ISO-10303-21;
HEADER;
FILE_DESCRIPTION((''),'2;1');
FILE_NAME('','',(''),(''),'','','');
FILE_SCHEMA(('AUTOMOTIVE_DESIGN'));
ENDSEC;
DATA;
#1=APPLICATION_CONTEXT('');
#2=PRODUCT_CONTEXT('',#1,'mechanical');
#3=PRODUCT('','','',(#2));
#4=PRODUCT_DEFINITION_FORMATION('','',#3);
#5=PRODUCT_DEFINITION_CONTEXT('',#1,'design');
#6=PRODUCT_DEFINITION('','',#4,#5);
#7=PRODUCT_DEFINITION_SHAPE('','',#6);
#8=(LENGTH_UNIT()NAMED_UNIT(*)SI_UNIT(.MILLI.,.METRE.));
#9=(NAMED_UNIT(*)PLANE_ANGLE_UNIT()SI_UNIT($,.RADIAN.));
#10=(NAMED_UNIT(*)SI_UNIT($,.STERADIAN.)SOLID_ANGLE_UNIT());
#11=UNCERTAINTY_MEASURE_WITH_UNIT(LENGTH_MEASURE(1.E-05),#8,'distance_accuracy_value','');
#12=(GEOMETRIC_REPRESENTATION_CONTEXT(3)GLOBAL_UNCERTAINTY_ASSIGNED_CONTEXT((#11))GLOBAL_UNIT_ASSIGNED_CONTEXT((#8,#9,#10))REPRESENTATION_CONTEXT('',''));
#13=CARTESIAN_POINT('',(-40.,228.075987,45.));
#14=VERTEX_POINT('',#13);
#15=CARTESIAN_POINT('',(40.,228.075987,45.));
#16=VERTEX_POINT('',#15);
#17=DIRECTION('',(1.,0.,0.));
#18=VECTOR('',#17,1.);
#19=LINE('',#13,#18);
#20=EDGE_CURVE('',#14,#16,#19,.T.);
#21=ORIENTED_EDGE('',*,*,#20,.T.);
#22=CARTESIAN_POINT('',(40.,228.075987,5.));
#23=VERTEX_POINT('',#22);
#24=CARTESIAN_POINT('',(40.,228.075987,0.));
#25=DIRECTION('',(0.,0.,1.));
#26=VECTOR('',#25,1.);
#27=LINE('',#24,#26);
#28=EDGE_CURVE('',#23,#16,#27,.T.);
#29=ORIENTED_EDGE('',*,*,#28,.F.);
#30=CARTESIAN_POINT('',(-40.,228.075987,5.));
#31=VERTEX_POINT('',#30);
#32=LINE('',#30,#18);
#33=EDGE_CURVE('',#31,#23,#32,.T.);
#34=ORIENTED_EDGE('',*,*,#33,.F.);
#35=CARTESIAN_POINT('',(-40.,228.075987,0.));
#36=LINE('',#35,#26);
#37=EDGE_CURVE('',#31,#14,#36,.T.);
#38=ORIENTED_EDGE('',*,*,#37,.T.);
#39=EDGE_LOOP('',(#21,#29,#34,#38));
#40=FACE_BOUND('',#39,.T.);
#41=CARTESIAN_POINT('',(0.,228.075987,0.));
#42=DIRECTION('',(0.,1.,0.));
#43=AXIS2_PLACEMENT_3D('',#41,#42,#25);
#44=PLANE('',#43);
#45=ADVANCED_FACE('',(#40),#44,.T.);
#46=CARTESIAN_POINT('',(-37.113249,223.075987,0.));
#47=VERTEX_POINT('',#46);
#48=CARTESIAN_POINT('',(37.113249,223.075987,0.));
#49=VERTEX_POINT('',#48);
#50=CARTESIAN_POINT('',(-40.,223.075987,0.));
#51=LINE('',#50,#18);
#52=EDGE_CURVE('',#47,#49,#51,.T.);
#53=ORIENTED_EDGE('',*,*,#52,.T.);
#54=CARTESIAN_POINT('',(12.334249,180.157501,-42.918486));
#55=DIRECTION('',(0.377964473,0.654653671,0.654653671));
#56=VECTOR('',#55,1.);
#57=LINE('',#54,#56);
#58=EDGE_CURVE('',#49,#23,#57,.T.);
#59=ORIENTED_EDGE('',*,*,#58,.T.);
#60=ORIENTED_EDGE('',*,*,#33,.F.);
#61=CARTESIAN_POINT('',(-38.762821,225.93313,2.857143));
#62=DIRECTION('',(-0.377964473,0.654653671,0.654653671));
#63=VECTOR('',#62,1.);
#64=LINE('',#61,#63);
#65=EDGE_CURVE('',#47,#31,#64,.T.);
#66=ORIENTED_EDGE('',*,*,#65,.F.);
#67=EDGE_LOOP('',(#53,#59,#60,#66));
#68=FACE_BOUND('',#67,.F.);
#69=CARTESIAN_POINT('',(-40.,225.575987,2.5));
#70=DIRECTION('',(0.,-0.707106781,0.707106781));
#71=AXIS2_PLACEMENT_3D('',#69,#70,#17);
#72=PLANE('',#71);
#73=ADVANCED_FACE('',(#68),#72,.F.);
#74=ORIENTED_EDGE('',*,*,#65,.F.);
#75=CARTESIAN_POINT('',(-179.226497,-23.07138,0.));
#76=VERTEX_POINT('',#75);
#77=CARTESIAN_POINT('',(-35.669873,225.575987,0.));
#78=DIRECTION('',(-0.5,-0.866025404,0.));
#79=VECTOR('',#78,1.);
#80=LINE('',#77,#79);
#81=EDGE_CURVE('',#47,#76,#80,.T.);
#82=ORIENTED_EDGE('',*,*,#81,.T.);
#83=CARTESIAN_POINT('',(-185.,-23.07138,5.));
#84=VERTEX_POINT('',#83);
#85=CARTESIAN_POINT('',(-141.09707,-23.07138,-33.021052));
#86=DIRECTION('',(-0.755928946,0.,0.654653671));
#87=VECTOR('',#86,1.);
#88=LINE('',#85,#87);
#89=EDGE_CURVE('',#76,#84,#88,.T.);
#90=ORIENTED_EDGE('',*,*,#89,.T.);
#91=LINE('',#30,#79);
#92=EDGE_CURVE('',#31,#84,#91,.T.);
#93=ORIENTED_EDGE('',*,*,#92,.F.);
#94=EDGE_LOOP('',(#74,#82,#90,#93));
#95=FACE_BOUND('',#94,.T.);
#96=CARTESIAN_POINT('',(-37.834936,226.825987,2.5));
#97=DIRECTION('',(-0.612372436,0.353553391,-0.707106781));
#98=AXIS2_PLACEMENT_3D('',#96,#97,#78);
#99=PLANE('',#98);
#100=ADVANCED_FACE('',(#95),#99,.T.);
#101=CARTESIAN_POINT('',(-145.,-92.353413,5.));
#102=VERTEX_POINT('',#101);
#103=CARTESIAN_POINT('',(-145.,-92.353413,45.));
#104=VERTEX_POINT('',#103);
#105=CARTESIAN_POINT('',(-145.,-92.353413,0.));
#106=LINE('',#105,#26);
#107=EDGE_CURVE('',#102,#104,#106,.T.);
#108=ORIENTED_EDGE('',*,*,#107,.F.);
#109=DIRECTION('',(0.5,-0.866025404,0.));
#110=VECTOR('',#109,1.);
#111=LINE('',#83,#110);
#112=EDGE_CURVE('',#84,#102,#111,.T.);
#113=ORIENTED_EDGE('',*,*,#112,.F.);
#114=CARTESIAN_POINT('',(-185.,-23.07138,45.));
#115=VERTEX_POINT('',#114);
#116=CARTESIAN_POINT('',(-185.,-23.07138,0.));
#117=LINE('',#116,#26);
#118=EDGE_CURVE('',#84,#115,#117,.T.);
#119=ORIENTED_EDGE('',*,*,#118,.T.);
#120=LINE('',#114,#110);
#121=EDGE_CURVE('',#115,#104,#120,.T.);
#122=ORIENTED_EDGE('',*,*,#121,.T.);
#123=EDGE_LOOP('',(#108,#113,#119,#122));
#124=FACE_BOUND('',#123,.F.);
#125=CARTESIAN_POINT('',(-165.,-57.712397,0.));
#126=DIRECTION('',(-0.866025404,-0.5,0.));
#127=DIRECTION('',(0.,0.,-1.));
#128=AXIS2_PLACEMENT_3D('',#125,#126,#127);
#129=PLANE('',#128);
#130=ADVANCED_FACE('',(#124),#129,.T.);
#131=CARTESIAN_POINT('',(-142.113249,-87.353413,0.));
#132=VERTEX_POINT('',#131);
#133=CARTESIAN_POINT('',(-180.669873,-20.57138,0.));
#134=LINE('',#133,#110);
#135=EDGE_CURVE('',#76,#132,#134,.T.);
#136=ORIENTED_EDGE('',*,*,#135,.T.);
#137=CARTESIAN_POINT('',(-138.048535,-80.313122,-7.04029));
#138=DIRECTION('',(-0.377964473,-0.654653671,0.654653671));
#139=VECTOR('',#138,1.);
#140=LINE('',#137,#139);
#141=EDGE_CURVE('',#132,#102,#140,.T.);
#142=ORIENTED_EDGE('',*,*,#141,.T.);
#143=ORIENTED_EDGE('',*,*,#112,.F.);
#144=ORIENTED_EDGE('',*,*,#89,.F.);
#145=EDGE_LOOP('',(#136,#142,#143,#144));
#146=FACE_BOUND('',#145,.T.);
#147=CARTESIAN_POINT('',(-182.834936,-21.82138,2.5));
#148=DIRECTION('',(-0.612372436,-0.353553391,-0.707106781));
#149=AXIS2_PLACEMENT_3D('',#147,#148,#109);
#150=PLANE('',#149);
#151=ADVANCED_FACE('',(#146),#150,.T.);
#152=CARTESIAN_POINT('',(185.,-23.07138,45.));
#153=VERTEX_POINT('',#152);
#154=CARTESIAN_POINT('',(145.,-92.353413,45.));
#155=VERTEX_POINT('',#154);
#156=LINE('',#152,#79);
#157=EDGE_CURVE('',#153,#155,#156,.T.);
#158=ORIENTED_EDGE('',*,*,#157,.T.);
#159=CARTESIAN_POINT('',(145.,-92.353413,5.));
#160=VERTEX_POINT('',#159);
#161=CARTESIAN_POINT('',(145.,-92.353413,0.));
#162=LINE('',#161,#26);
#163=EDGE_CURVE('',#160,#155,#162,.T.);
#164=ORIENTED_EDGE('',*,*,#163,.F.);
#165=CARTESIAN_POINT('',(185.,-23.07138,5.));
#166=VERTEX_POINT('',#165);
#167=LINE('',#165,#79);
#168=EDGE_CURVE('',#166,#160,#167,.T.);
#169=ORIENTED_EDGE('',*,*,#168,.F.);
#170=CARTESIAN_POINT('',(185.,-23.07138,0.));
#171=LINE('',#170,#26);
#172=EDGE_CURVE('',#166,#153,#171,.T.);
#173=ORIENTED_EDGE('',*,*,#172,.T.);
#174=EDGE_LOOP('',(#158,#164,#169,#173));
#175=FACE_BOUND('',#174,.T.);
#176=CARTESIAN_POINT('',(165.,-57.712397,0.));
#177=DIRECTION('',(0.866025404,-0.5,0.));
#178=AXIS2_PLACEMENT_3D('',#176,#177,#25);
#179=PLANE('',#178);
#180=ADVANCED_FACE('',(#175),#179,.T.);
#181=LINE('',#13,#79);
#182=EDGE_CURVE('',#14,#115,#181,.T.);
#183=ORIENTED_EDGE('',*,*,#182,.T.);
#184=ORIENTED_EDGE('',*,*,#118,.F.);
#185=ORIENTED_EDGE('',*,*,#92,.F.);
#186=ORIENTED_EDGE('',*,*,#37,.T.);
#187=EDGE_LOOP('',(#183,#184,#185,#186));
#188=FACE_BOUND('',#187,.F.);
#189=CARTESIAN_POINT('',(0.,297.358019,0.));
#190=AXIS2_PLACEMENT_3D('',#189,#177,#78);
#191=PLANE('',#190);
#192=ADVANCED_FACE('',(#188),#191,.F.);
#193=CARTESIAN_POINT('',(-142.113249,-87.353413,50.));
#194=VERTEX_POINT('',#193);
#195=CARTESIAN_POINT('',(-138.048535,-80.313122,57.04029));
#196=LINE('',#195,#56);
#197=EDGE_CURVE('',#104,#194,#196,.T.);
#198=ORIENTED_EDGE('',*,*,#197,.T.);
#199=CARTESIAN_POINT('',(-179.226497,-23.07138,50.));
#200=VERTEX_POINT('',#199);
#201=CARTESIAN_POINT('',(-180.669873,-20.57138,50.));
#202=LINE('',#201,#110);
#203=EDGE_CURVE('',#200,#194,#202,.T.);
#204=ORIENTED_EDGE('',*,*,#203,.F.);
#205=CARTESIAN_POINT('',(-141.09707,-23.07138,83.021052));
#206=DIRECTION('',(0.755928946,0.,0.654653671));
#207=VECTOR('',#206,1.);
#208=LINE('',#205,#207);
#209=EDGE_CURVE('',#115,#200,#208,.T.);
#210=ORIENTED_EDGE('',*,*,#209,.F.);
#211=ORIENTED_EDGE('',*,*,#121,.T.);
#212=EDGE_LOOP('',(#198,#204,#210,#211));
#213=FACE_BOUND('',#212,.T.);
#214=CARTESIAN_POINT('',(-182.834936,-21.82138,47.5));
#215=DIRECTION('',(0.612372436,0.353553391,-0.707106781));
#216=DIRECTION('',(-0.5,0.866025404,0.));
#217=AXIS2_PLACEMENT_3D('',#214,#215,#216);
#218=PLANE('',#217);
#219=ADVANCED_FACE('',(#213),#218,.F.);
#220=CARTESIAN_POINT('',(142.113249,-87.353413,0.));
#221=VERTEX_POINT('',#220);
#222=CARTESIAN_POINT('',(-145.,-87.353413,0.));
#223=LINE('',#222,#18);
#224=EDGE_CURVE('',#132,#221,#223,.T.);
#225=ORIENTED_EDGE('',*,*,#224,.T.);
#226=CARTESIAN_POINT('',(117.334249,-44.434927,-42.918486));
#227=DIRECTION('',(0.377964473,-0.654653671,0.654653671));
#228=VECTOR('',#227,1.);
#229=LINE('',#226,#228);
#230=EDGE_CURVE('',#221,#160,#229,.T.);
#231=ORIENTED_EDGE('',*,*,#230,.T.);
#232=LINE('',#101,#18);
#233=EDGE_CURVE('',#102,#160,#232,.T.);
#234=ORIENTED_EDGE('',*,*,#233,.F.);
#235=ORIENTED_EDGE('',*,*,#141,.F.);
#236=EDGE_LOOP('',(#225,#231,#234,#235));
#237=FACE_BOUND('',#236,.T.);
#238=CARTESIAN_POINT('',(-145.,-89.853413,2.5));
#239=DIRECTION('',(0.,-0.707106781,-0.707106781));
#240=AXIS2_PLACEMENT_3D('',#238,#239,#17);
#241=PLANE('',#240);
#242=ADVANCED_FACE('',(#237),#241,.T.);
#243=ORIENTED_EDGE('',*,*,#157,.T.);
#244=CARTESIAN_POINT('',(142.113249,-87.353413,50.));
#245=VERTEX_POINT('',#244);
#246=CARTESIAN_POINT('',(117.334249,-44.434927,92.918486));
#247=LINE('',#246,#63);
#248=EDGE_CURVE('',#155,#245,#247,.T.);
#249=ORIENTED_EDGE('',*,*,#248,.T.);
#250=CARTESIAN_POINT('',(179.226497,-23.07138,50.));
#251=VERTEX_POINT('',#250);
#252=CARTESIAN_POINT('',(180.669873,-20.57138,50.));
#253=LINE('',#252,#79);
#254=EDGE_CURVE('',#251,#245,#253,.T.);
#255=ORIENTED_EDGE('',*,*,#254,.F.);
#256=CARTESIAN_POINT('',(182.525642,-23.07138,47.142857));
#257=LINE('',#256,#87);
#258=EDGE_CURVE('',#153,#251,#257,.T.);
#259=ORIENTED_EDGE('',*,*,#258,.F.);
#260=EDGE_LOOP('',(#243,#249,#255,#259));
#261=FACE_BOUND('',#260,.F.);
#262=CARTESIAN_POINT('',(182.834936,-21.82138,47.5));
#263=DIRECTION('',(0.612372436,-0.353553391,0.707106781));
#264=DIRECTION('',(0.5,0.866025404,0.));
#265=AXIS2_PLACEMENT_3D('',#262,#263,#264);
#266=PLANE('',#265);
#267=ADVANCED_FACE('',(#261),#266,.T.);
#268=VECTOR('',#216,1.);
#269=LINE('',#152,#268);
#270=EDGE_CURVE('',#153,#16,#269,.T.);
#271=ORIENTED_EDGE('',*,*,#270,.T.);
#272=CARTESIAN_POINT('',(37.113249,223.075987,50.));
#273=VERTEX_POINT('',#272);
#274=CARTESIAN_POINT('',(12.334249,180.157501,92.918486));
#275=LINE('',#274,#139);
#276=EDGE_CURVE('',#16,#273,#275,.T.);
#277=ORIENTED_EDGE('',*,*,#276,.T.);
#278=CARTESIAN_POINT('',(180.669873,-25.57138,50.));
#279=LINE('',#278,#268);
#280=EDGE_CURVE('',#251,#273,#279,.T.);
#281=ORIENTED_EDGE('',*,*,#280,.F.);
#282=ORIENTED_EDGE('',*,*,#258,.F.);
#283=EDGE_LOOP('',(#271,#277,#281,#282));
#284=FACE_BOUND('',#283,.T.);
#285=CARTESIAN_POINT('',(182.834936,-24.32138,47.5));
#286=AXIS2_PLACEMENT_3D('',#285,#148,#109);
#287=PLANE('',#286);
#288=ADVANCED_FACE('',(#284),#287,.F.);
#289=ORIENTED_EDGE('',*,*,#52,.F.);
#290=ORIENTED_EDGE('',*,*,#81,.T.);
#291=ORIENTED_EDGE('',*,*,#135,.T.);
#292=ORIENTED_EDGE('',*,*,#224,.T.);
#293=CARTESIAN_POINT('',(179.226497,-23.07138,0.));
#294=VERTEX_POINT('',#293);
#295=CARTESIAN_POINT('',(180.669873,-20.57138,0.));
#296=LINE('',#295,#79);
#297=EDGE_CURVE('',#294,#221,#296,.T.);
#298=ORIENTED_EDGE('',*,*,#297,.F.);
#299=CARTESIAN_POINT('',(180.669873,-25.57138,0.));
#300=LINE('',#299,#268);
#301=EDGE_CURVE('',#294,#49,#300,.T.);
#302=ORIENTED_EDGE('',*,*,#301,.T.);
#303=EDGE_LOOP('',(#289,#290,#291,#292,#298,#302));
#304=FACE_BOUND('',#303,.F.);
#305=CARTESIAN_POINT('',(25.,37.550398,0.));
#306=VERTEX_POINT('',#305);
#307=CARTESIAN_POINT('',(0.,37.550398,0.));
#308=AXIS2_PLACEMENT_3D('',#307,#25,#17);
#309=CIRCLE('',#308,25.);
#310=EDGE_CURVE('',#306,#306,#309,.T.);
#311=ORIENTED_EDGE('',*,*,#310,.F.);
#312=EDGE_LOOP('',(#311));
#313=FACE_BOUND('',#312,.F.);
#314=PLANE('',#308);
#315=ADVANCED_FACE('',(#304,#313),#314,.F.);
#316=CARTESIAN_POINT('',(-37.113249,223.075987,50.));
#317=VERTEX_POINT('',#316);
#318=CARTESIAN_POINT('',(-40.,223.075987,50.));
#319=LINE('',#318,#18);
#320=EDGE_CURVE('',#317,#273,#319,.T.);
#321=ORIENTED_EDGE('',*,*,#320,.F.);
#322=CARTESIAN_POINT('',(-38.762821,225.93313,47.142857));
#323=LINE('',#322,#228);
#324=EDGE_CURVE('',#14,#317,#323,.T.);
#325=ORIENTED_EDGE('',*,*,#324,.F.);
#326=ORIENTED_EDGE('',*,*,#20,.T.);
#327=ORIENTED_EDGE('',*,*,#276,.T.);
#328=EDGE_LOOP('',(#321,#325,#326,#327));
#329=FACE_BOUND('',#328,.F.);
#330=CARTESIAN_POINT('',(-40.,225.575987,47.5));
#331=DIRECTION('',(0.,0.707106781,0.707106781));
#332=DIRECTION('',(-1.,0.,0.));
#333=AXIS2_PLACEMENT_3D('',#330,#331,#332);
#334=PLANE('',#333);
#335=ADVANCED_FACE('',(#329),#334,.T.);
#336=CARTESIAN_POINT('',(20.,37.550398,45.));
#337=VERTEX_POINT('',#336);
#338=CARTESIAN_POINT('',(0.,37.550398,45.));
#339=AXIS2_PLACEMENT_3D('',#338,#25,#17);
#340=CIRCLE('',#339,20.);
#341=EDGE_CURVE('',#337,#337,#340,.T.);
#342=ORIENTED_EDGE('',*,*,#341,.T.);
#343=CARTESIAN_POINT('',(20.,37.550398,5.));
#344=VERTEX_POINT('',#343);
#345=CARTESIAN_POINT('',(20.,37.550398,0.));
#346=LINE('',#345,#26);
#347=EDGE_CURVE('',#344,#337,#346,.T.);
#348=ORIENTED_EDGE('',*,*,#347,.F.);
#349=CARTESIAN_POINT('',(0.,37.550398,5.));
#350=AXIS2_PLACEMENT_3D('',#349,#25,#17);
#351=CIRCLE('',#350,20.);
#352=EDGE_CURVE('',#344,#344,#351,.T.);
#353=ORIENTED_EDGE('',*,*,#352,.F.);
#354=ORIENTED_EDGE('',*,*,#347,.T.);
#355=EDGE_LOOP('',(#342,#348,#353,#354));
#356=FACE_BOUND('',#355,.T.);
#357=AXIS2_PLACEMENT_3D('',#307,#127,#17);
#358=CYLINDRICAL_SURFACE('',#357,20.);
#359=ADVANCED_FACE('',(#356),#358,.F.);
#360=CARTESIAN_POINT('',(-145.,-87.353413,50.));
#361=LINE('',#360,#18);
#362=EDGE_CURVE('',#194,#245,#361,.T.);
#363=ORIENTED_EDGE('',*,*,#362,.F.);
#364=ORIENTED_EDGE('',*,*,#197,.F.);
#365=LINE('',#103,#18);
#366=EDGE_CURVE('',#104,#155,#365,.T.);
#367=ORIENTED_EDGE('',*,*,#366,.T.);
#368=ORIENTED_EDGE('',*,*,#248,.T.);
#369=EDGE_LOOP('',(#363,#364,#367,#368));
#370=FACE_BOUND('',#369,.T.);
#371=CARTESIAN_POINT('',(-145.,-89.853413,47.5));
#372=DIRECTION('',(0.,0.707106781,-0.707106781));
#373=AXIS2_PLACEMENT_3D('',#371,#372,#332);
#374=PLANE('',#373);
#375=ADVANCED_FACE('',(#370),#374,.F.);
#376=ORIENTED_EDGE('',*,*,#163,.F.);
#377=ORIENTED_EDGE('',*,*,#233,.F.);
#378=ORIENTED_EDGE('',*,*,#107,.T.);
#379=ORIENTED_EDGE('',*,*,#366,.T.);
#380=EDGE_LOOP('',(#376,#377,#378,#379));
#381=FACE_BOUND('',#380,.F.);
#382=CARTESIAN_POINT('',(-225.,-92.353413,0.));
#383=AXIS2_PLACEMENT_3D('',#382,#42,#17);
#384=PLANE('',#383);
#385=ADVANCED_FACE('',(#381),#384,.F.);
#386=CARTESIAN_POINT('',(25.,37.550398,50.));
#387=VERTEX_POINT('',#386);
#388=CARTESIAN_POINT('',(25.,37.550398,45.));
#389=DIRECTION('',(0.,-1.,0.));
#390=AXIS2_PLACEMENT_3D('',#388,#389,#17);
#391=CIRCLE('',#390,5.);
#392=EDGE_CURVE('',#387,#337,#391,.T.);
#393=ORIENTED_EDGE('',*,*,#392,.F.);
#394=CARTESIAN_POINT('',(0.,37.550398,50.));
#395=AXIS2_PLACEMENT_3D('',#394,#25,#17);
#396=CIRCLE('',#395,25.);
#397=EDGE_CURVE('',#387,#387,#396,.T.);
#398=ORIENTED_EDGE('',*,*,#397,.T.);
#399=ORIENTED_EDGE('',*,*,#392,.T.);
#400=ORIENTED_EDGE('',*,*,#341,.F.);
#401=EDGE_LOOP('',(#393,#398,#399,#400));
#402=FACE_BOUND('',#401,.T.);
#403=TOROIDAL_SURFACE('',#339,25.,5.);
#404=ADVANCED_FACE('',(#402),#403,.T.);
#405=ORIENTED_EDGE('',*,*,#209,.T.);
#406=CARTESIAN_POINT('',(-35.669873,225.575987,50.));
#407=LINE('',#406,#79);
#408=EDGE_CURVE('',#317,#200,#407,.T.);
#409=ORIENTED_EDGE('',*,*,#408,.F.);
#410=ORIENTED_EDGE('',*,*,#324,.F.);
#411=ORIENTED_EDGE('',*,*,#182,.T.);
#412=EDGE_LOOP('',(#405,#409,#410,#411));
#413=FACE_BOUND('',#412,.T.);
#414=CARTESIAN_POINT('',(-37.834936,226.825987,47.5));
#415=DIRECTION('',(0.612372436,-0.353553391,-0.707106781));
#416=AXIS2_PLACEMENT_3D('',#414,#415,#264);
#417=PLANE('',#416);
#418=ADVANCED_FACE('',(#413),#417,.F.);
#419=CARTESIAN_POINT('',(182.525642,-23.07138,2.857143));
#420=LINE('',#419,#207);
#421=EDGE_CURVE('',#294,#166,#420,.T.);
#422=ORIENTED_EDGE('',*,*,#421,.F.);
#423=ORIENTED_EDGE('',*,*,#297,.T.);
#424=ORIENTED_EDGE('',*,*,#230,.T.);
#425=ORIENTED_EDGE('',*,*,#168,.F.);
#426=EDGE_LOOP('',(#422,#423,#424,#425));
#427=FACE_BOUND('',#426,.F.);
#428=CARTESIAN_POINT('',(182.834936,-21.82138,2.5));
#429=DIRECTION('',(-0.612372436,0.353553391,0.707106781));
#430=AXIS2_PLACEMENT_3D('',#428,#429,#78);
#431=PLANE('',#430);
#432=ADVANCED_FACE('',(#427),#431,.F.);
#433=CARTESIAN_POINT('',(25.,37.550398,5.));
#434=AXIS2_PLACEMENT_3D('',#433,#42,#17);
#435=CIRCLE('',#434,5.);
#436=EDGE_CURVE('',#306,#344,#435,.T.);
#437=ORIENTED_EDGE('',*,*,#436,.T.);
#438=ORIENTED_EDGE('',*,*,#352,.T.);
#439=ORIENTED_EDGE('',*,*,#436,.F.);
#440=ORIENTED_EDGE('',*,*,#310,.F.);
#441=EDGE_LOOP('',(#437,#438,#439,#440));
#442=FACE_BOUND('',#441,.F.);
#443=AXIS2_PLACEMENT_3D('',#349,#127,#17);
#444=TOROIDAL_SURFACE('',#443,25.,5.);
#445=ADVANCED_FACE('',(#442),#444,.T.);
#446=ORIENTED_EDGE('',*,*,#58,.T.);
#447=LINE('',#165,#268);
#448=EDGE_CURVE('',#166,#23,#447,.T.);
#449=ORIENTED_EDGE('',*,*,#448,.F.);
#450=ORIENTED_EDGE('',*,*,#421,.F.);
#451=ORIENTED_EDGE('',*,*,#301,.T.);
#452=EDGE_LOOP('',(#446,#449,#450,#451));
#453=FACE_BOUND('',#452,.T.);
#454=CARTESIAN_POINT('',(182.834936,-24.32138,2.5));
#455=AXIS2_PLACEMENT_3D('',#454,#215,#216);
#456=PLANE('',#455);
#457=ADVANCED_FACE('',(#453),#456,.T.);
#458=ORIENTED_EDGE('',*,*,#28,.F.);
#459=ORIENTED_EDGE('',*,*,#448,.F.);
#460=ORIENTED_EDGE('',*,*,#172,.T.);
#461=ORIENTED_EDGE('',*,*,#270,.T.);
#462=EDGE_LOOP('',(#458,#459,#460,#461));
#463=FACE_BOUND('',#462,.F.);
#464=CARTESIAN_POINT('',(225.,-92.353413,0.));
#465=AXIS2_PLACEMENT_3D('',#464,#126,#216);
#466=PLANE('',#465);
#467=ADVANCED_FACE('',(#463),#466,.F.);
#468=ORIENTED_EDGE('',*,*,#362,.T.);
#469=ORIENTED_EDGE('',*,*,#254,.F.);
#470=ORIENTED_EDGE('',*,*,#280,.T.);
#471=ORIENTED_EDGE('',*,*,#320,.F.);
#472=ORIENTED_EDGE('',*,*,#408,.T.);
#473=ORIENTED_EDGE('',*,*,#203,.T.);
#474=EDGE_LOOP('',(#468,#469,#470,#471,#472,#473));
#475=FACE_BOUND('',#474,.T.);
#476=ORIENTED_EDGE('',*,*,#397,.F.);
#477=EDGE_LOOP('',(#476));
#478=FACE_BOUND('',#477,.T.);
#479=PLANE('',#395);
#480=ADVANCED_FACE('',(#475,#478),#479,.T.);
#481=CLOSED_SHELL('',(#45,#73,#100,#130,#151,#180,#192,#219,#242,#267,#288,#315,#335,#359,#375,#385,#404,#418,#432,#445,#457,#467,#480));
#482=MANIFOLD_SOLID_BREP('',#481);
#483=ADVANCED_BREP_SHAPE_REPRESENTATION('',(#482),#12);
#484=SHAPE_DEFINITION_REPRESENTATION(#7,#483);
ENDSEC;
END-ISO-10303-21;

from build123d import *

# Parameters (mm, degrees)
F0_R     = 20
F1_DEPTH = 50
F2_SIZE  = 80
F3_R     = 5
F4_SIZE  = 5


with BuildPart() as f1:
    # F0 (on Top) → F1 (new body)
    with BuildSketch(Plane.XY):
        Polygon((0, 297.3580189822), (-225, -92.3534127208), (225, -92.3534127208), align=None)
        with Locations((0, 37.5503978469)):
            Circle(F0_R, mode=Mode.SUBTRACT)
    extrude(amount=F1_DEPTH)

    # F2
    f2_edges = [f1.edges().sort_by_distance(p)[0] for p in [
        (225, -92.353413, 25),
        (-225, -92.353413, 25),
        (0, 297.358019, 25),
    ]]
    chamfer(f2_edges, length=F2_SIZE)

    # F3
    f3_edges = [f1.edges().sort_by_distance(p)[0] for p in [
        (-20, 37.550398, 50),
        (-20, 37.550398, 0),
    ]]
    fillet(f3_edges, radius=F3_R)

    # F4
    f4_edges = [f1.edges().sort_by_distance(p)[0] for p in [
        (112.5, 102.502303, 50),
        (165, -57.712397, 50),
        (0, -92.353413, 50),
        (-165, -57.712397, 50),
        (-112.5, 102.502303, 50),
        (165, -57.712397, 0),
        (0, -92.353413, 0),
        (112.5, 102.502303, 0),
        (-165, -57.712397, 0),
        (-112.5, 102.502303, 0),
        (0, 228.075987, 0),
        (0, 228.075987, 50),
    ]]
    chamfer(f4_edges, length=F4_SIZE)


solid = f1.part
